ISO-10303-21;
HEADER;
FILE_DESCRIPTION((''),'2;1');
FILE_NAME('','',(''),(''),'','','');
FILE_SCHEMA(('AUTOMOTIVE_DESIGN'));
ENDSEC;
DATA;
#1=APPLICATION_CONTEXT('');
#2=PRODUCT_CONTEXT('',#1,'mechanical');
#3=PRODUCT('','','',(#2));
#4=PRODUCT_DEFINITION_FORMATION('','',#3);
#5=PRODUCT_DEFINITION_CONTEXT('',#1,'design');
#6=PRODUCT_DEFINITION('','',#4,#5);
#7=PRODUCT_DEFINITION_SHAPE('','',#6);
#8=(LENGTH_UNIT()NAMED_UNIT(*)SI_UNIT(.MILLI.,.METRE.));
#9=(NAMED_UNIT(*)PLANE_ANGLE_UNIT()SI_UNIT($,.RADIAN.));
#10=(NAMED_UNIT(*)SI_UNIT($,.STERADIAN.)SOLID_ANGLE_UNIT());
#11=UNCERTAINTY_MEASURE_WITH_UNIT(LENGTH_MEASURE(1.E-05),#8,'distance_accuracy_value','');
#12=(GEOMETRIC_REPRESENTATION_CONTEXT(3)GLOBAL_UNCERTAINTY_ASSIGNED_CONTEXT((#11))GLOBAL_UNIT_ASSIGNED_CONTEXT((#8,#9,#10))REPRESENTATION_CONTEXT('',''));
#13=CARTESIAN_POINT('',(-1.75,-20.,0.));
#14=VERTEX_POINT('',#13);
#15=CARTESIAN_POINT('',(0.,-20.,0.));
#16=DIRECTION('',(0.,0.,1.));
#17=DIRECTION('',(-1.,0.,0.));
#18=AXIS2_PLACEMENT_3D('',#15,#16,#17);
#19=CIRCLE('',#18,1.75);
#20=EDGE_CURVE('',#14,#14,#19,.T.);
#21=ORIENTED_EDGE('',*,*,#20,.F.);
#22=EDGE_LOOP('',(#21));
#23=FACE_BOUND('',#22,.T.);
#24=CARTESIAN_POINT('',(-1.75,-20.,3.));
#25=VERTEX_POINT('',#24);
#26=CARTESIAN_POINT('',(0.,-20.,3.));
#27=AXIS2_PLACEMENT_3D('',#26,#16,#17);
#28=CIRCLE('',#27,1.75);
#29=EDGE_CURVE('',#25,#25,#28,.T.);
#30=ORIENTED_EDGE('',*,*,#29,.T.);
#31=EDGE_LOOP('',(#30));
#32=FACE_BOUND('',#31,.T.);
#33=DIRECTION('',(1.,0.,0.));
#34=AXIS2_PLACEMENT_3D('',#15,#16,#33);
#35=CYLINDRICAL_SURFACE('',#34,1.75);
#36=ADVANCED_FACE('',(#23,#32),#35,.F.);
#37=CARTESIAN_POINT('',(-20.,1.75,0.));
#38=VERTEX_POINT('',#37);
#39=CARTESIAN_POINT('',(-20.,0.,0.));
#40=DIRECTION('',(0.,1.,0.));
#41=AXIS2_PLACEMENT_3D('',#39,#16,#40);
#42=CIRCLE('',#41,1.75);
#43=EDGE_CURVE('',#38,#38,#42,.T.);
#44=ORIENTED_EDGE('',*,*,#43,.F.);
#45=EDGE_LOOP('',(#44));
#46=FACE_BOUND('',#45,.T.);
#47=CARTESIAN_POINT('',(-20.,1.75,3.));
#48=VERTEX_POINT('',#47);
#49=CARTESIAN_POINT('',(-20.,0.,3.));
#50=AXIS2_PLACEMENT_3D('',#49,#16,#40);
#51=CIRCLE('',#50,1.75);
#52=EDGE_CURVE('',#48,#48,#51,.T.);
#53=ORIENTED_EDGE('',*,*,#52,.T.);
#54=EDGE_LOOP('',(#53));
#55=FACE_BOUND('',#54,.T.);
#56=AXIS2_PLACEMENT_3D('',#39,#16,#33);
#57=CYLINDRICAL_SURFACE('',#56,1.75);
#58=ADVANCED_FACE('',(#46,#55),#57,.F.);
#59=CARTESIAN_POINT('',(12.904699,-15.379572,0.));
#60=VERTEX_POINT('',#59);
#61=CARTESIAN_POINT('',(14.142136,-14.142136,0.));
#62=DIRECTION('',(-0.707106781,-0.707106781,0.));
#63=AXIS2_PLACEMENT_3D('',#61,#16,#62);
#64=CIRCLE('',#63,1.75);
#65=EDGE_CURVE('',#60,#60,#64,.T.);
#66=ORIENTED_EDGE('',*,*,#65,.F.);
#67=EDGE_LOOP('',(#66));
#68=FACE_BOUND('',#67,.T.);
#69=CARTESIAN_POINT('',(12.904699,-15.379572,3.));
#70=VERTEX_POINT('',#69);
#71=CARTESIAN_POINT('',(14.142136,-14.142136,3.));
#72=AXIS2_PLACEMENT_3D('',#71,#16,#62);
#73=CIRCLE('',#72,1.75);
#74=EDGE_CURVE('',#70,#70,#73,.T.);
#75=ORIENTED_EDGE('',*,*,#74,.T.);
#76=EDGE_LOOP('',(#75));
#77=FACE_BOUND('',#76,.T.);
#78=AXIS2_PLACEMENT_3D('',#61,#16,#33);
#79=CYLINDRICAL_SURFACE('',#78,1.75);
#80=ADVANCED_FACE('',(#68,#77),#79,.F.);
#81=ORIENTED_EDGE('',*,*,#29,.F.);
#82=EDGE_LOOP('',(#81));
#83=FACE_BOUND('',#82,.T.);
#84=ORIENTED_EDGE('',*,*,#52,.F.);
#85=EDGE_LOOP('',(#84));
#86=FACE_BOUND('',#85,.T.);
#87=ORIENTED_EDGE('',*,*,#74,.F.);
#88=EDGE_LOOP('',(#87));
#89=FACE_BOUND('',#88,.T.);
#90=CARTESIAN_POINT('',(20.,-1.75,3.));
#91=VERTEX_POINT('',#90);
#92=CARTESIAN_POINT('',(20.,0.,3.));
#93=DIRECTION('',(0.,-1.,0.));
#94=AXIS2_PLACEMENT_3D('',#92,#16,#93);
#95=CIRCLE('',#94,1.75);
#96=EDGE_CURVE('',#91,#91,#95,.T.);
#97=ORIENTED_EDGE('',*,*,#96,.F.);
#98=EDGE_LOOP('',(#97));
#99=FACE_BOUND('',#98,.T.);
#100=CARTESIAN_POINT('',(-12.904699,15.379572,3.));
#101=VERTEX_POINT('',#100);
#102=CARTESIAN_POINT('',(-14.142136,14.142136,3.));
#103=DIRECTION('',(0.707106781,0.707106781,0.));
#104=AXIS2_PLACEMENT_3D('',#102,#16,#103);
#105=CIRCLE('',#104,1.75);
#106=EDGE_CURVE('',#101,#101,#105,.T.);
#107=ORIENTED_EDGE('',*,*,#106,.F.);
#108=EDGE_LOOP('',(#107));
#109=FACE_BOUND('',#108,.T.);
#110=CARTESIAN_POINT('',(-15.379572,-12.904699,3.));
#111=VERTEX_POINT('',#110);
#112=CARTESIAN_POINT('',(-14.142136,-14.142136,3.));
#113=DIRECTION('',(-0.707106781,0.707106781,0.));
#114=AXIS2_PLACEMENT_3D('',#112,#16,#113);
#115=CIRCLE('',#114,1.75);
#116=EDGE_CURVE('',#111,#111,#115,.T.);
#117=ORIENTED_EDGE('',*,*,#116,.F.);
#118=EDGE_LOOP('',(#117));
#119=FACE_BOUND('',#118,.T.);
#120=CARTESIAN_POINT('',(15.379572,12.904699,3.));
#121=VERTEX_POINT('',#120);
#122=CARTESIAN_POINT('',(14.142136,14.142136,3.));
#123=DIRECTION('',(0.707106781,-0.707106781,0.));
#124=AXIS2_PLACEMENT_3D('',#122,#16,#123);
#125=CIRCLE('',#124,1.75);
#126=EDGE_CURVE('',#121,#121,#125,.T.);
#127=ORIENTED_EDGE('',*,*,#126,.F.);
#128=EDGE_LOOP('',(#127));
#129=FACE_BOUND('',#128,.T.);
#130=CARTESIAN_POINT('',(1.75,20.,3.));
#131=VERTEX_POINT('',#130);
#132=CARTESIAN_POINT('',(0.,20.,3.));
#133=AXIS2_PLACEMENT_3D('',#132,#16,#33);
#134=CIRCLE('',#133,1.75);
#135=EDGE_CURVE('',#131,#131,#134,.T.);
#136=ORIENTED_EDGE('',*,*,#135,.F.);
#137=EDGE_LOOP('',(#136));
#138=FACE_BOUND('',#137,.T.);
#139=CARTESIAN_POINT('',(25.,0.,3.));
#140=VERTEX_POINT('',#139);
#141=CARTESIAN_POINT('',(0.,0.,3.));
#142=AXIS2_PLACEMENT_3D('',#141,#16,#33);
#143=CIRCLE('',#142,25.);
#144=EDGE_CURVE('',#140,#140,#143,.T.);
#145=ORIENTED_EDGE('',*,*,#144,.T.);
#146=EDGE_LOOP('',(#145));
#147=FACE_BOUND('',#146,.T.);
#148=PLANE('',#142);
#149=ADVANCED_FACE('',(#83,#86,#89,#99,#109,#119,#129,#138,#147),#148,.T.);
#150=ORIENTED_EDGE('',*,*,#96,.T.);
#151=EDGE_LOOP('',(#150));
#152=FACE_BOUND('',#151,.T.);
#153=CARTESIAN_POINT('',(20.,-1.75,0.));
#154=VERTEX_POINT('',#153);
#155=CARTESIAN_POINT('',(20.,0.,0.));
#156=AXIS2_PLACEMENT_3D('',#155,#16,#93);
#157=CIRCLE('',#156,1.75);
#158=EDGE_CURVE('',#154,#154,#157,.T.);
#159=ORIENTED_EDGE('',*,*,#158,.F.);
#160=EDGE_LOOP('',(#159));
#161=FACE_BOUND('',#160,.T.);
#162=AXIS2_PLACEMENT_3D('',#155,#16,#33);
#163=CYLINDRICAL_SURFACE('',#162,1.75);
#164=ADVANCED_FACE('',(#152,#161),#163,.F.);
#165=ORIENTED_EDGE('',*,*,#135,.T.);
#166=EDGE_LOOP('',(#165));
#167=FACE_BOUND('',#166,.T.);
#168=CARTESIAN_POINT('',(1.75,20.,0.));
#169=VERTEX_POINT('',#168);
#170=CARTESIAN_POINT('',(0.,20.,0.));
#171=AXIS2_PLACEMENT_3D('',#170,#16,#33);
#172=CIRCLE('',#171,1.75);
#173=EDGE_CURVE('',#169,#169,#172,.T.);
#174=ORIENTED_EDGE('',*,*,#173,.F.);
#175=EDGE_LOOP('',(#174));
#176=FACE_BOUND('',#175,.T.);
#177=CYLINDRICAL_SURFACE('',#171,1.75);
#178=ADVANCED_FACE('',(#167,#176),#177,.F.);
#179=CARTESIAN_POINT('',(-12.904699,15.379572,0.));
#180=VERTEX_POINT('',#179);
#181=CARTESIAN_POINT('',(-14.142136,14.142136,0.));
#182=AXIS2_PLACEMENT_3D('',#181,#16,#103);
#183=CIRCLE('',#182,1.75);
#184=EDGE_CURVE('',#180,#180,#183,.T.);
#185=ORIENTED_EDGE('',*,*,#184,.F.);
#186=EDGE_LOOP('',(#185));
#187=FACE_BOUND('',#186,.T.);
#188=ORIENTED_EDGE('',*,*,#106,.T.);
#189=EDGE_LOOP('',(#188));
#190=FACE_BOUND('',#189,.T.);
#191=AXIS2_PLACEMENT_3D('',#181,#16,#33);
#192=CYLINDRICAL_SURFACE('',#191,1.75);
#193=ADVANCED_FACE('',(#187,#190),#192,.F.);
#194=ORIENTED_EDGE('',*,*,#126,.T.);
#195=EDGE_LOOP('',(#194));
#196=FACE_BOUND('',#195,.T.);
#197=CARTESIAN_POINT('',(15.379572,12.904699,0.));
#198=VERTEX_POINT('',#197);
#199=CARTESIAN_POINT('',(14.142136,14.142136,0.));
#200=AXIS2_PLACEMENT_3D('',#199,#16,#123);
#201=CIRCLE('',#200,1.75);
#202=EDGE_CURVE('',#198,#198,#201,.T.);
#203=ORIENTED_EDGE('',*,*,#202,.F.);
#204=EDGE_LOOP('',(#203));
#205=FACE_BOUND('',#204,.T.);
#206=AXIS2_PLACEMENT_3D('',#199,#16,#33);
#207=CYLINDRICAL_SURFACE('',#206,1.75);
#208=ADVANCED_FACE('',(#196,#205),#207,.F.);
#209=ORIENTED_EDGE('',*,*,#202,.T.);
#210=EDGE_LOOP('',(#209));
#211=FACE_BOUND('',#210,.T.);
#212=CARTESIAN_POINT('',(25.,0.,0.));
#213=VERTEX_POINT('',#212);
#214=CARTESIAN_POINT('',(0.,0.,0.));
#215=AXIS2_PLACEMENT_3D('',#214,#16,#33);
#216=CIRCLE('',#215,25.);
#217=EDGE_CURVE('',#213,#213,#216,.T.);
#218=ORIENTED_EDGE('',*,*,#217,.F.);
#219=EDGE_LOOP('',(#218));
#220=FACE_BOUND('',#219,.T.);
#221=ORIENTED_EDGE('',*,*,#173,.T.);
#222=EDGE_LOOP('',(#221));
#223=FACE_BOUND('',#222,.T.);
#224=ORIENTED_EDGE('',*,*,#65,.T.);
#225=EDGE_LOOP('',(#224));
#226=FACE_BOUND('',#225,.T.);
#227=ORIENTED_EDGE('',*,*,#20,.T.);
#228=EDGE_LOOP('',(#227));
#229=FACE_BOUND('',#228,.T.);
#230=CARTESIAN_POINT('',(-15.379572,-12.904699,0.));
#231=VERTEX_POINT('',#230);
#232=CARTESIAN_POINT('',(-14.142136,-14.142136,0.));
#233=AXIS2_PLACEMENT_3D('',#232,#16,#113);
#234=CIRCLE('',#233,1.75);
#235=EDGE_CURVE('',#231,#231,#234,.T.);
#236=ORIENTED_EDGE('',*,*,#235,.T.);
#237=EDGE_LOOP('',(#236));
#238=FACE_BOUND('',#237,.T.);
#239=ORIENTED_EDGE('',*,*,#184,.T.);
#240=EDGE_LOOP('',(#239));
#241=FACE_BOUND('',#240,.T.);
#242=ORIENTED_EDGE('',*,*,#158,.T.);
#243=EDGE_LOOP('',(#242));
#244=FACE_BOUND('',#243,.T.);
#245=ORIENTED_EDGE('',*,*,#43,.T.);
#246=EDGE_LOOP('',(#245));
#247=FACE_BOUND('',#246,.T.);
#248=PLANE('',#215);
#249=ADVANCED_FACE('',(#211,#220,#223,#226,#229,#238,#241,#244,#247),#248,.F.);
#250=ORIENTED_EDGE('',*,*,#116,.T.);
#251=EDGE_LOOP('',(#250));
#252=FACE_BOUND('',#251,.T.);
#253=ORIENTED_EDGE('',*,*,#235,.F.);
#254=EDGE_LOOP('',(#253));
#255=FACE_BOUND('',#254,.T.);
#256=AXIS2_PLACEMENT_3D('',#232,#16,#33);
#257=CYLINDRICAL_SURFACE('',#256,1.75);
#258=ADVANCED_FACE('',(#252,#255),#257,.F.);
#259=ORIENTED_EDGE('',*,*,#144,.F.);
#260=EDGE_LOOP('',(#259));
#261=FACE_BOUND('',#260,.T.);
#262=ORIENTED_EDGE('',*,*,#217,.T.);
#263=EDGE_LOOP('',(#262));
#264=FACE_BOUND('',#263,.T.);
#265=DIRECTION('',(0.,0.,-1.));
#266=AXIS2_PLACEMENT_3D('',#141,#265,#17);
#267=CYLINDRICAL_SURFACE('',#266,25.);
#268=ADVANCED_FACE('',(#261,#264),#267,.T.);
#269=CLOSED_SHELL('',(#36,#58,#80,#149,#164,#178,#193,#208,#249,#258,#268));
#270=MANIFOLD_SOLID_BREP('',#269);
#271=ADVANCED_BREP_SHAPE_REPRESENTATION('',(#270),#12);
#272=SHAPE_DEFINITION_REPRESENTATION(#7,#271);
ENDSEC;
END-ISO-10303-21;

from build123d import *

# Parameters (mm, degrees)
SKETCH1_R           = 25
BOSS_EXTRUDE1_DEPTH = 3
SKETCH2_R           = 1.75
CUT_EXTRUDE1_DEPTH  = 3
CIRPATTERN1_COUNT   = 8


with BuildPart() as part:
    # Sketch1 → Boss-Extrude1 (new body)
    with BuildSketch(Plane.XY):
        Circle(SKETCH1_R)
    extrude(amount=BOSS_EXTRUDE1_DEPTH)

    # Sketch2 → Cut-Extrude1 (cut)
    with BuildSketch(Plane.XY.offset(3)):
        with Locations((0, 20)):
            Circle(SKETCH2_R)
    cut_extrude1 = extrude(amount=-CUT_EXTRUDE1_DEPTH, mode=Mode.SUBTRACT)

    # CirPattern1: Cut-Extrude1 ×8 about axis
    cirpattern1_axis = Axis((0, 0, 0), (0, 0, 1))
    for i in range(1, CIRPATTERN1_COUNT):
        add(cut_extrude1.rotate(cirpattern1_axis, i * 360 / CIRPATTERN1_COUNT), mode=Mode.SUBTRACT)


solid = part.part
